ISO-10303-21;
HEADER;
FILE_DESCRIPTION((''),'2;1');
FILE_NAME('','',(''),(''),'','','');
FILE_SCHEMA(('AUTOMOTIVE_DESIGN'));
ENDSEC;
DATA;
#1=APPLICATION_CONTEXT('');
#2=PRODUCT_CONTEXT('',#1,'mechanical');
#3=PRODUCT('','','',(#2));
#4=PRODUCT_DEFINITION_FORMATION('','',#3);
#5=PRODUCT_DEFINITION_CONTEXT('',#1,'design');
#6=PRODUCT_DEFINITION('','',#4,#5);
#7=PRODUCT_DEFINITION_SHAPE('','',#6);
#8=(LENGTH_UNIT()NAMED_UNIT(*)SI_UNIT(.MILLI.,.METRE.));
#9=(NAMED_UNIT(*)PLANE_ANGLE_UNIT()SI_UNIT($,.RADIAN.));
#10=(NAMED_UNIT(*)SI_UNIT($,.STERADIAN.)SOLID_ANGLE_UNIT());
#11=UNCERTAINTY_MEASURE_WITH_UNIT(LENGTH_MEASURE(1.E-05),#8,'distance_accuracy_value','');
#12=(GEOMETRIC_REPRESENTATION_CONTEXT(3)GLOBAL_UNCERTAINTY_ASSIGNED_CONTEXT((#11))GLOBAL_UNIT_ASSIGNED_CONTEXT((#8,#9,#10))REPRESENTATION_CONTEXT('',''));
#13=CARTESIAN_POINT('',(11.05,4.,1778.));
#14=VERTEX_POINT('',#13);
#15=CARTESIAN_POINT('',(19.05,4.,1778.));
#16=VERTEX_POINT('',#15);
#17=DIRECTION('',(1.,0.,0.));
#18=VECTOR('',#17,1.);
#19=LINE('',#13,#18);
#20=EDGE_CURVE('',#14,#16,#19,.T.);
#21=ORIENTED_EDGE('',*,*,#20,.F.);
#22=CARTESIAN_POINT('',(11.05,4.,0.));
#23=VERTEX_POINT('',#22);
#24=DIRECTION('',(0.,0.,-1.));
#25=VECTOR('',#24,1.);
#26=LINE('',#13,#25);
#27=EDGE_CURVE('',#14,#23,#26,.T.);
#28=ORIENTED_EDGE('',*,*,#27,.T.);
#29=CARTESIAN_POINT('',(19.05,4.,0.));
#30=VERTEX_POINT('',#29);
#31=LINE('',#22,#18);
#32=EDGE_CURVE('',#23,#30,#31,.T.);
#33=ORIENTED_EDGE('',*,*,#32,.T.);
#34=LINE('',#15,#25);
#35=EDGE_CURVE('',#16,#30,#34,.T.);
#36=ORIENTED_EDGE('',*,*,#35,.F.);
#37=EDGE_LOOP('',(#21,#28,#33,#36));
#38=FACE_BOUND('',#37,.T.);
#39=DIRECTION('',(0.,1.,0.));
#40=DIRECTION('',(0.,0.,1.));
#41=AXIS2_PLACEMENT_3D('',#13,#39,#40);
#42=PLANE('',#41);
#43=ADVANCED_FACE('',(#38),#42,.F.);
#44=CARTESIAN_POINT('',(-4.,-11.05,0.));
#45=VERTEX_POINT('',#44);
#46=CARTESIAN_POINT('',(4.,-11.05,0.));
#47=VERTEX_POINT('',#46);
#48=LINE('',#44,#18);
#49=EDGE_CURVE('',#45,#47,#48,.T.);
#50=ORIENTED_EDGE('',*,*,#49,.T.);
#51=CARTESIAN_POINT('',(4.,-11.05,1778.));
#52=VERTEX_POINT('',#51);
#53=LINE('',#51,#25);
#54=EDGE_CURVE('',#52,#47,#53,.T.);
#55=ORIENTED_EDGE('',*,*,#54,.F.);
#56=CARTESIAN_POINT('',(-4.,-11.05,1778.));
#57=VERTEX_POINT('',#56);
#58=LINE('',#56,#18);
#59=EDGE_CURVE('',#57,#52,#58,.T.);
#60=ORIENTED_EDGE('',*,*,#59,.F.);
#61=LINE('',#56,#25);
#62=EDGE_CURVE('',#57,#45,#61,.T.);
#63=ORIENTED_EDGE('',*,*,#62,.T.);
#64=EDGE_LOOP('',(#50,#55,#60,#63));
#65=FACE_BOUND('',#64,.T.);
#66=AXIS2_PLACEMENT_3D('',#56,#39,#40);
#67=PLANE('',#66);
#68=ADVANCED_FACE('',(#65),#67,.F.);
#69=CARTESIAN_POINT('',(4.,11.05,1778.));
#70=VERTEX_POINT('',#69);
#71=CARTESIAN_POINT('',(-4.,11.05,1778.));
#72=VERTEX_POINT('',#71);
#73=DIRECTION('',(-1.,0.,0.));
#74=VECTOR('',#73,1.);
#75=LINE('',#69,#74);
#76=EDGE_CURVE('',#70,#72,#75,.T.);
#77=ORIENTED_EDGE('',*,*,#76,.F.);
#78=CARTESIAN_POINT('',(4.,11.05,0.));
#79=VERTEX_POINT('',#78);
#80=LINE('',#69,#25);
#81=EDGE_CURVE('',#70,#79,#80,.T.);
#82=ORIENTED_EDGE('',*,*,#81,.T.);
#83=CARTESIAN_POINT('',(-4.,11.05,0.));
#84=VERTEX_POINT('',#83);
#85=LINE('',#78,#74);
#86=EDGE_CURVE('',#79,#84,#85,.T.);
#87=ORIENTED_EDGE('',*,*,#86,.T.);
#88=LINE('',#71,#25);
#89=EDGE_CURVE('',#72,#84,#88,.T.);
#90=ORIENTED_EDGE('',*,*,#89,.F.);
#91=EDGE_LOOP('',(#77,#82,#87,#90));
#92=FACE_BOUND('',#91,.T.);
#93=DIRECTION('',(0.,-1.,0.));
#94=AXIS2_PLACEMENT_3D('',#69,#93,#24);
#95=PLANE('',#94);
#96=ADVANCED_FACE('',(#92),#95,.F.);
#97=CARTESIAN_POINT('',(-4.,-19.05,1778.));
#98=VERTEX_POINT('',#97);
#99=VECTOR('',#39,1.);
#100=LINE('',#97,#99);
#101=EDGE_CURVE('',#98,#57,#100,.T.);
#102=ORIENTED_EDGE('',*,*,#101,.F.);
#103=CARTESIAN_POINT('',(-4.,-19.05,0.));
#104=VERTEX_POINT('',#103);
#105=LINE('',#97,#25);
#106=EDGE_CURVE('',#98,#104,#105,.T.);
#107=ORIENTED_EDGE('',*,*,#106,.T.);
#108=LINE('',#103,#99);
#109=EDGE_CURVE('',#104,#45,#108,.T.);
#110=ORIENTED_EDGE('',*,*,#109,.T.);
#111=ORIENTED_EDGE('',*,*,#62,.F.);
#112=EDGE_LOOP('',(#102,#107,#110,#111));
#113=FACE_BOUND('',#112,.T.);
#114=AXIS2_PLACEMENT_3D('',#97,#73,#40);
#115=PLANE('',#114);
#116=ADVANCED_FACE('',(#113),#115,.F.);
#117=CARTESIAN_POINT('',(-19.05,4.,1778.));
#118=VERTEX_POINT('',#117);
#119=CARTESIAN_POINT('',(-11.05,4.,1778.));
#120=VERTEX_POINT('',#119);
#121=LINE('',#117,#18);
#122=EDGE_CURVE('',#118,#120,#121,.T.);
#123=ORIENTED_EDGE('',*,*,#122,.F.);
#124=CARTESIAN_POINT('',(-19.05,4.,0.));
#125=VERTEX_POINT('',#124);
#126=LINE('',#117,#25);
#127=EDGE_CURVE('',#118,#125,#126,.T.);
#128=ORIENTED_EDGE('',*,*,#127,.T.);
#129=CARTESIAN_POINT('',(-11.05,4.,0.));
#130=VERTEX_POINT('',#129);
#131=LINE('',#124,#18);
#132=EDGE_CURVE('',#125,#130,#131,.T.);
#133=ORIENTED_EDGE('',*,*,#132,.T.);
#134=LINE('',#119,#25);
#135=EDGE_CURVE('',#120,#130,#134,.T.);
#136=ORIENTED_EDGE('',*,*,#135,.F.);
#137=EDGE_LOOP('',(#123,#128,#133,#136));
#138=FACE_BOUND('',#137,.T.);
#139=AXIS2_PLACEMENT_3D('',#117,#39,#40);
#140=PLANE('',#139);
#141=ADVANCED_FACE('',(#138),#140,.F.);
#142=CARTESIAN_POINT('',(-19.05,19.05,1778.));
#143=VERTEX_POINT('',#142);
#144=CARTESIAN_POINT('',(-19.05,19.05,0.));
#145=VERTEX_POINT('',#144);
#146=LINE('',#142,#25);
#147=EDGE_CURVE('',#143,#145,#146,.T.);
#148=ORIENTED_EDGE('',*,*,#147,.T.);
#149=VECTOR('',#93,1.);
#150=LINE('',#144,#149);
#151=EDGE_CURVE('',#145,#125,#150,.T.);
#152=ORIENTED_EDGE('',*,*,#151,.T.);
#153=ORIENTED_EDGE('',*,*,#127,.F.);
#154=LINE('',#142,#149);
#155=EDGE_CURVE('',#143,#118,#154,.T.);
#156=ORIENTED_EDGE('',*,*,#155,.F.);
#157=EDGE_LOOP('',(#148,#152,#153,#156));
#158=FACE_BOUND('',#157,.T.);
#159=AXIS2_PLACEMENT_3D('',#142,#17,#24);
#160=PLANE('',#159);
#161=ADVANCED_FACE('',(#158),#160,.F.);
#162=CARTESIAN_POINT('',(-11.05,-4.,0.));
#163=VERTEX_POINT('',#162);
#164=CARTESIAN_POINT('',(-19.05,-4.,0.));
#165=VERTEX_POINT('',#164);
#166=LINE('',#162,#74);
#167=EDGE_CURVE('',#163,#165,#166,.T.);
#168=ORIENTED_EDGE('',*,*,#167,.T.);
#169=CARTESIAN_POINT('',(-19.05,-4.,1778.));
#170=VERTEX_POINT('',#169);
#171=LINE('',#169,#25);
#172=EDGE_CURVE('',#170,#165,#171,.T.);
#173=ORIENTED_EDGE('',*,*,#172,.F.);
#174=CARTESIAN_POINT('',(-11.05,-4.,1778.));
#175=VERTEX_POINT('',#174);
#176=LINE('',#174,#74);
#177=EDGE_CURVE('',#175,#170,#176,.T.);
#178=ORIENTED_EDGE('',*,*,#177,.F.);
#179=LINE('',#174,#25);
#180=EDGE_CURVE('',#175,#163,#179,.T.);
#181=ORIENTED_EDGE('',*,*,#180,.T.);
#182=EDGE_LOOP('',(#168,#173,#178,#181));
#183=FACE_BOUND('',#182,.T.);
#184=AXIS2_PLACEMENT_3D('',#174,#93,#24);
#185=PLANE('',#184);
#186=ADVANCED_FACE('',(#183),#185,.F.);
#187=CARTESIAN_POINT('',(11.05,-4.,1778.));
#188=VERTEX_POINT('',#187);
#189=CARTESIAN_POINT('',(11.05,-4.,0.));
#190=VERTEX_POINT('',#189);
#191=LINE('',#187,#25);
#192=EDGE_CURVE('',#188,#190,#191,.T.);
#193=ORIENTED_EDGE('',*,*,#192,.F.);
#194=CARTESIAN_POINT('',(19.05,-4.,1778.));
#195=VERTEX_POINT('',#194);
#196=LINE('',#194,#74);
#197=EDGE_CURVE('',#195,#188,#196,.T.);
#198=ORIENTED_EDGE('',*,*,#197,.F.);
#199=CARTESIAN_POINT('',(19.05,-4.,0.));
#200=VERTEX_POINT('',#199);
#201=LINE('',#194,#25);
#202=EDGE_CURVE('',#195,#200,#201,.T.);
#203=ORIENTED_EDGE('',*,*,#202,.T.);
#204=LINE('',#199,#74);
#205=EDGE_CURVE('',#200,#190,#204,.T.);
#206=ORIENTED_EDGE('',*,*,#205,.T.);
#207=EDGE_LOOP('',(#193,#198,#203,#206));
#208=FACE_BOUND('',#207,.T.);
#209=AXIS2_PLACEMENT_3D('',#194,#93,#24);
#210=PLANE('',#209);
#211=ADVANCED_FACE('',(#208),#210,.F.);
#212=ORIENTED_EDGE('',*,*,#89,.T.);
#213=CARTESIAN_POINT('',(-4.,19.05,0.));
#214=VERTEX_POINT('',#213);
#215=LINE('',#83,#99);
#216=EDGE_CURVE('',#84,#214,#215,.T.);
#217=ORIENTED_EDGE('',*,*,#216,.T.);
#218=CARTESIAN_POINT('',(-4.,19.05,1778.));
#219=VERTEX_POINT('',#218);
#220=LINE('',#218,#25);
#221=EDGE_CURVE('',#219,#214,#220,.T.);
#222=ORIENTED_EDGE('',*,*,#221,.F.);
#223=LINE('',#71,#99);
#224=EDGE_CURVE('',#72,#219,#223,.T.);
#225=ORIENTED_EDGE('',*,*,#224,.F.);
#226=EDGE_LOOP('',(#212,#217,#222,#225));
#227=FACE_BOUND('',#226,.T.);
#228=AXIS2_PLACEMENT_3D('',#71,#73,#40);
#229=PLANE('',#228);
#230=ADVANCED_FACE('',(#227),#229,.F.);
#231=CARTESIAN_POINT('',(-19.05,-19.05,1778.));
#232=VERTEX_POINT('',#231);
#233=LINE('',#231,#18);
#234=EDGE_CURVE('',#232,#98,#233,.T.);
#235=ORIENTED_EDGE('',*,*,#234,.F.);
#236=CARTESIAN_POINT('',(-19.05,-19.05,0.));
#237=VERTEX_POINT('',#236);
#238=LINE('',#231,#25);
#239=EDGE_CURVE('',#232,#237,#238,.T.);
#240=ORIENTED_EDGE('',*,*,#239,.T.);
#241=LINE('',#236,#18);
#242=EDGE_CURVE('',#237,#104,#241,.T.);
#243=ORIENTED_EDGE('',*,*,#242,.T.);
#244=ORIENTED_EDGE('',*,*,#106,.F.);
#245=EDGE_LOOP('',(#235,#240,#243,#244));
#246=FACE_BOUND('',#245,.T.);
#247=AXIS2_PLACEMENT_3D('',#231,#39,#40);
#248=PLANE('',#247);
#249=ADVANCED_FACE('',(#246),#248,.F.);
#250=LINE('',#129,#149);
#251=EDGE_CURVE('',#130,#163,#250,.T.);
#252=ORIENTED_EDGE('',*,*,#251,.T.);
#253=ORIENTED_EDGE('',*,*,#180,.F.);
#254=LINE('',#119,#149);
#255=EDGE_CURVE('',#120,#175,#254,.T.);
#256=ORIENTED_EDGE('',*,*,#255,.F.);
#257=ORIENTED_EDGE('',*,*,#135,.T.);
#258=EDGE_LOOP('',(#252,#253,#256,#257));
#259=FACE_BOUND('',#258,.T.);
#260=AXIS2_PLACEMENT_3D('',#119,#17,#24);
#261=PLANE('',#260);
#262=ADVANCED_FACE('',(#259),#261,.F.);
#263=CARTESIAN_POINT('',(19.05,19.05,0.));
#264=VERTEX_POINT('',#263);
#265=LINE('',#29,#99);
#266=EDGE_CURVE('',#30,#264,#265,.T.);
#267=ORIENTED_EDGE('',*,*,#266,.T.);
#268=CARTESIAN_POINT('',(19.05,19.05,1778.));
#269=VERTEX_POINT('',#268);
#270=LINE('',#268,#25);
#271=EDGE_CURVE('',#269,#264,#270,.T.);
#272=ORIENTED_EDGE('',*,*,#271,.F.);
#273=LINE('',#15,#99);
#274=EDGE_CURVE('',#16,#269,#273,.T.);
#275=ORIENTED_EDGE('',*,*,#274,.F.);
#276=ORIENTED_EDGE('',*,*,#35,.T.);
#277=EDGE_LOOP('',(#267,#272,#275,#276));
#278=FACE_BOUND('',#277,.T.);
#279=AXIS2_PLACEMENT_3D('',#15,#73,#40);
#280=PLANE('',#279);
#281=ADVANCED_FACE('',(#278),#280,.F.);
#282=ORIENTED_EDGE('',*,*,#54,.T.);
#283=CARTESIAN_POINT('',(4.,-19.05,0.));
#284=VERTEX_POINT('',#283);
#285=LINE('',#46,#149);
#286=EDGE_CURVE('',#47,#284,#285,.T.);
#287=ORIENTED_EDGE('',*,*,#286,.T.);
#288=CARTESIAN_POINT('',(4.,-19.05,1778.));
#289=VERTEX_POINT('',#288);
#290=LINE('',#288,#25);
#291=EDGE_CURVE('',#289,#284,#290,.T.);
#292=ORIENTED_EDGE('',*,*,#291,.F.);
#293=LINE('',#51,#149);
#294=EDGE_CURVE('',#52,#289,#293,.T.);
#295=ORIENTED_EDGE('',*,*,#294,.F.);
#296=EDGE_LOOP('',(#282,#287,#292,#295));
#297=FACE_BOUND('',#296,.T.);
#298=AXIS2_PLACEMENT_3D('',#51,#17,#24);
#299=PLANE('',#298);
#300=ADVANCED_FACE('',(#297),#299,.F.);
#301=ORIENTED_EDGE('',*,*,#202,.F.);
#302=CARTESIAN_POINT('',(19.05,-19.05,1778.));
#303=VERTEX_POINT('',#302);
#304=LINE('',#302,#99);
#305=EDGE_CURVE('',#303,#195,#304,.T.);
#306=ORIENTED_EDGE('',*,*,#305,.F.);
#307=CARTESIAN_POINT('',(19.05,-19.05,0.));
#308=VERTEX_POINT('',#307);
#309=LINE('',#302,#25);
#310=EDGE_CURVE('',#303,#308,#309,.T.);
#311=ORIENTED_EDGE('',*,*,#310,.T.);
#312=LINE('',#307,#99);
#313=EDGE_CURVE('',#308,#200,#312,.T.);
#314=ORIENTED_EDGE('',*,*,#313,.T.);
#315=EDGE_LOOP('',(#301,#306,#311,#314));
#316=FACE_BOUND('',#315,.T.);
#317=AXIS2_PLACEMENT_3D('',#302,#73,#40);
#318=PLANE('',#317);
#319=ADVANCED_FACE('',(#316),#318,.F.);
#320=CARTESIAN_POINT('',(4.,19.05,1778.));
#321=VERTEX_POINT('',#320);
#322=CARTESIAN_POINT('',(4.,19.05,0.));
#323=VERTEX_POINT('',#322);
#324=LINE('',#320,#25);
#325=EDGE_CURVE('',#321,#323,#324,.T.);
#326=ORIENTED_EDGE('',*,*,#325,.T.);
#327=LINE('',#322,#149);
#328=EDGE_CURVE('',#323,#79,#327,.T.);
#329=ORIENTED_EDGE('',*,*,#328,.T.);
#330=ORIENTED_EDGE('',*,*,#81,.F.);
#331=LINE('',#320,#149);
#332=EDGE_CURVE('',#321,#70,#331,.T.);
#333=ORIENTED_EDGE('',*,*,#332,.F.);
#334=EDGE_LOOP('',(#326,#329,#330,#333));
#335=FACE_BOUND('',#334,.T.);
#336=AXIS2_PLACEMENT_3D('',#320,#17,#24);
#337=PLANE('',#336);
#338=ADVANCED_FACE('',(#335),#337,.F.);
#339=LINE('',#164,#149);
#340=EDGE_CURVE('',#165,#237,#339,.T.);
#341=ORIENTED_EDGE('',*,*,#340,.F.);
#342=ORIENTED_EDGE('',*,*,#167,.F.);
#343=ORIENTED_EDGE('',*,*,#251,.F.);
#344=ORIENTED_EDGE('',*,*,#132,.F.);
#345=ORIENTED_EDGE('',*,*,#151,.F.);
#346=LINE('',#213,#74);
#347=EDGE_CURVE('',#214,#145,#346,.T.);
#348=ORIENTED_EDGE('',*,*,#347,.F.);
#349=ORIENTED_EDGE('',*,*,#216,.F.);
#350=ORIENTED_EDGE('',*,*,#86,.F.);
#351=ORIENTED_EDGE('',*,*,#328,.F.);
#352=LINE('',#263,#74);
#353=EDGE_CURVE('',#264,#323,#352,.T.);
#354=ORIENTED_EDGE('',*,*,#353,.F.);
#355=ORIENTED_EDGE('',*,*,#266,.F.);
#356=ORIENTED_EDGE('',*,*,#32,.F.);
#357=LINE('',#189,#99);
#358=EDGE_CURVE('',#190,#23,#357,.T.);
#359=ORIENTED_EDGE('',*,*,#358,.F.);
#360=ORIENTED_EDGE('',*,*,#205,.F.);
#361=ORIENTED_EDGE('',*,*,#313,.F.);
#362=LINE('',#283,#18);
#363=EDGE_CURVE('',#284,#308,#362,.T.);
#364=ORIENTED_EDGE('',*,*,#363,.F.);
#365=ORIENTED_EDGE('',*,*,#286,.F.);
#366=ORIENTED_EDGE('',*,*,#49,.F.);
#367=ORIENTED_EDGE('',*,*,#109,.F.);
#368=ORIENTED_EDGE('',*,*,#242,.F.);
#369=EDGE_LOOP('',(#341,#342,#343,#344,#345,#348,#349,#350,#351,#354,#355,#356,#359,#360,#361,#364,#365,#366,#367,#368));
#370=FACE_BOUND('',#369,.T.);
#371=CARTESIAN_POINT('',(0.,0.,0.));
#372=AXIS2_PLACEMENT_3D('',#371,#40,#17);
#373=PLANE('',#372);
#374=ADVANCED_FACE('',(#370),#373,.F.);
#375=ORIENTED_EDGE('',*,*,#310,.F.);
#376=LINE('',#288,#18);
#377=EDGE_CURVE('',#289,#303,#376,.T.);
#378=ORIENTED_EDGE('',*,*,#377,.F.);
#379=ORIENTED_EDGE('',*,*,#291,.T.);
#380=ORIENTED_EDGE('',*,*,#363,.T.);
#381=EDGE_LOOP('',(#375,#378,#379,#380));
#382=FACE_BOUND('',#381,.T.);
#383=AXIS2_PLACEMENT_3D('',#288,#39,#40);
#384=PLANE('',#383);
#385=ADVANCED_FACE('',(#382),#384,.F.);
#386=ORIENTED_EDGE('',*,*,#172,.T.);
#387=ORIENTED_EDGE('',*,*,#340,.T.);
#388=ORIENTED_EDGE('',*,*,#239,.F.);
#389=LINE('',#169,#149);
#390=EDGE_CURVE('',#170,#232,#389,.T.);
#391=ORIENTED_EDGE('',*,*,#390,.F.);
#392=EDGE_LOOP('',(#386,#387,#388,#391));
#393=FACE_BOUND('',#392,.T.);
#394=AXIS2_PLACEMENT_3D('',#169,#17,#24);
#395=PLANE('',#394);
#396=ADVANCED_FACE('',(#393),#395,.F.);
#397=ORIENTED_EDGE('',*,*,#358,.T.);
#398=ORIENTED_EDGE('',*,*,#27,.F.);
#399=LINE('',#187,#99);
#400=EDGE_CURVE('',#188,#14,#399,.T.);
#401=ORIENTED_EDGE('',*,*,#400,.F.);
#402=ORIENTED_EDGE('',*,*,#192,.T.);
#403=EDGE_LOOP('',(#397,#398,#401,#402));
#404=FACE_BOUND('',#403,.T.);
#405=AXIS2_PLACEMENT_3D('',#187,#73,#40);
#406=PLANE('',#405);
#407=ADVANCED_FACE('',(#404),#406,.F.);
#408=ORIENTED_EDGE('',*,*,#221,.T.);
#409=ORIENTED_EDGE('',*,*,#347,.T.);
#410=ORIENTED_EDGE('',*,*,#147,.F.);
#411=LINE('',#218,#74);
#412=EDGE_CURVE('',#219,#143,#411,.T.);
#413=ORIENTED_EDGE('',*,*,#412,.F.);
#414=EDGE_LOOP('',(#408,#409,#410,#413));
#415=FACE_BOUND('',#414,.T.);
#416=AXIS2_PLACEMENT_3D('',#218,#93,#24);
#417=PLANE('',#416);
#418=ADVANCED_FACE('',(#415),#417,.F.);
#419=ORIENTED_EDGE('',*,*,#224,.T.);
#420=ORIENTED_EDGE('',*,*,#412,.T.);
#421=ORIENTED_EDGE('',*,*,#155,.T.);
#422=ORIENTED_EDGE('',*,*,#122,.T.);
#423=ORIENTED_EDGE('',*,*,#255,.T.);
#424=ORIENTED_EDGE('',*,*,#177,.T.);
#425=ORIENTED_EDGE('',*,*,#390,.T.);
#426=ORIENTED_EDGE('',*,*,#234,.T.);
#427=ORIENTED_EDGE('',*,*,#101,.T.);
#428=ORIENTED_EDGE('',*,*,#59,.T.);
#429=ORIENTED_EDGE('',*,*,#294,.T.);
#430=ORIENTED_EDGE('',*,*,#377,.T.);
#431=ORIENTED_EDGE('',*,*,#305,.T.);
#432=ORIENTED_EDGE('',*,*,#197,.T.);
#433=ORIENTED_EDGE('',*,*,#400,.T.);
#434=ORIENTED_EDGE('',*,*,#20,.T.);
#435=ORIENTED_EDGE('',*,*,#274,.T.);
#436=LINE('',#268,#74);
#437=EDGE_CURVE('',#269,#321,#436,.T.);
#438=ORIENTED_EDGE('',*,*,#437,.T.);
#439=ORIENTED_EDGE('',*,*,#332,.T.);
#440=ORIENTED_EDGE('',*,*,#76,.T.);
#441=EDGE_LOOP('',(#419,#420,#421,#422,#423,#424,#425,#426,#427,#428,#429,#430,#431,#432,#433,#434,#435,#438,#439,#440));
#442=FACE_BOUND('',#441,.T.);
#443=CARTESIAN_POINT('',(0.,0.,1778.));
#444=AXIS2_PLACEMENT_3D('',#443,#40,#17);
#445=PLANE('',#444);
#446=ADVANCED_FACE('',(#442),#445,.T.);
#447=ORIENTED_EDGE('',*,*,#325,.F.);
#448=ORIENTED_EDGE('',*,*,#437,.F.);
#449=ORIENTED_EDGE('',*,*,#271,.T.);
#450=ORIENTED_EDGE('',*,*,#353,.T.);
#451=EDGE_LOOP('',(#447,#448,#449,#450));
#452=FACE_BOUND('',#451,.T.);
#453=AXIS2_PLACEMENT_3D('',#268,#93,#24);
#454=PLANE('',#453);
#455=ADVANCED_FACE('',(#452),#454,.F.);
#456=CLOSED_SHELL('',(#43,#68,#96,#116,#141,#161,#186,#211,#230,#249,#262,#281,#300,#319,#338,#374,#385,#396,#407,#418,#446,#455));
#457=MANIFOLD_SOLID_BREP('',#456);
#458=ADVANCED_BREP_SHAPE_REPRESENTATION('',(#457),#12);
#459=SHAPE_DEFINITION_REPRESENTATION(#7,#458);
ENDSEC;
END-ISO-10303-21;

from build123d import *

# Parameters (mm, degrees)
PROFILE_DEPTH = 1778


with BuildPart() as part:
    # Sketch1 → Profile (new body)
    with BuildSketch(Plane.XY):
        Polygon((-19.05, -19.05), (-4, -19.05), (-4, -11.05), (4, -11.05), (4, -19.05), (19.05, -19.05), (19.05, -4), (11.05, -4), (11.05, 4), (19.05, 4), (19.05, 19.05), (4, 19.05), (4, 11.05), (-4, 11.05), (-4, 19.05), (-19.05, 19.05), (-19.05, 4), (-11.05, 4), (-11.05, -4), (-19.05, -4), align=None)
    extrude(amount=PROFILE_DEPTH)


solid = part.part
